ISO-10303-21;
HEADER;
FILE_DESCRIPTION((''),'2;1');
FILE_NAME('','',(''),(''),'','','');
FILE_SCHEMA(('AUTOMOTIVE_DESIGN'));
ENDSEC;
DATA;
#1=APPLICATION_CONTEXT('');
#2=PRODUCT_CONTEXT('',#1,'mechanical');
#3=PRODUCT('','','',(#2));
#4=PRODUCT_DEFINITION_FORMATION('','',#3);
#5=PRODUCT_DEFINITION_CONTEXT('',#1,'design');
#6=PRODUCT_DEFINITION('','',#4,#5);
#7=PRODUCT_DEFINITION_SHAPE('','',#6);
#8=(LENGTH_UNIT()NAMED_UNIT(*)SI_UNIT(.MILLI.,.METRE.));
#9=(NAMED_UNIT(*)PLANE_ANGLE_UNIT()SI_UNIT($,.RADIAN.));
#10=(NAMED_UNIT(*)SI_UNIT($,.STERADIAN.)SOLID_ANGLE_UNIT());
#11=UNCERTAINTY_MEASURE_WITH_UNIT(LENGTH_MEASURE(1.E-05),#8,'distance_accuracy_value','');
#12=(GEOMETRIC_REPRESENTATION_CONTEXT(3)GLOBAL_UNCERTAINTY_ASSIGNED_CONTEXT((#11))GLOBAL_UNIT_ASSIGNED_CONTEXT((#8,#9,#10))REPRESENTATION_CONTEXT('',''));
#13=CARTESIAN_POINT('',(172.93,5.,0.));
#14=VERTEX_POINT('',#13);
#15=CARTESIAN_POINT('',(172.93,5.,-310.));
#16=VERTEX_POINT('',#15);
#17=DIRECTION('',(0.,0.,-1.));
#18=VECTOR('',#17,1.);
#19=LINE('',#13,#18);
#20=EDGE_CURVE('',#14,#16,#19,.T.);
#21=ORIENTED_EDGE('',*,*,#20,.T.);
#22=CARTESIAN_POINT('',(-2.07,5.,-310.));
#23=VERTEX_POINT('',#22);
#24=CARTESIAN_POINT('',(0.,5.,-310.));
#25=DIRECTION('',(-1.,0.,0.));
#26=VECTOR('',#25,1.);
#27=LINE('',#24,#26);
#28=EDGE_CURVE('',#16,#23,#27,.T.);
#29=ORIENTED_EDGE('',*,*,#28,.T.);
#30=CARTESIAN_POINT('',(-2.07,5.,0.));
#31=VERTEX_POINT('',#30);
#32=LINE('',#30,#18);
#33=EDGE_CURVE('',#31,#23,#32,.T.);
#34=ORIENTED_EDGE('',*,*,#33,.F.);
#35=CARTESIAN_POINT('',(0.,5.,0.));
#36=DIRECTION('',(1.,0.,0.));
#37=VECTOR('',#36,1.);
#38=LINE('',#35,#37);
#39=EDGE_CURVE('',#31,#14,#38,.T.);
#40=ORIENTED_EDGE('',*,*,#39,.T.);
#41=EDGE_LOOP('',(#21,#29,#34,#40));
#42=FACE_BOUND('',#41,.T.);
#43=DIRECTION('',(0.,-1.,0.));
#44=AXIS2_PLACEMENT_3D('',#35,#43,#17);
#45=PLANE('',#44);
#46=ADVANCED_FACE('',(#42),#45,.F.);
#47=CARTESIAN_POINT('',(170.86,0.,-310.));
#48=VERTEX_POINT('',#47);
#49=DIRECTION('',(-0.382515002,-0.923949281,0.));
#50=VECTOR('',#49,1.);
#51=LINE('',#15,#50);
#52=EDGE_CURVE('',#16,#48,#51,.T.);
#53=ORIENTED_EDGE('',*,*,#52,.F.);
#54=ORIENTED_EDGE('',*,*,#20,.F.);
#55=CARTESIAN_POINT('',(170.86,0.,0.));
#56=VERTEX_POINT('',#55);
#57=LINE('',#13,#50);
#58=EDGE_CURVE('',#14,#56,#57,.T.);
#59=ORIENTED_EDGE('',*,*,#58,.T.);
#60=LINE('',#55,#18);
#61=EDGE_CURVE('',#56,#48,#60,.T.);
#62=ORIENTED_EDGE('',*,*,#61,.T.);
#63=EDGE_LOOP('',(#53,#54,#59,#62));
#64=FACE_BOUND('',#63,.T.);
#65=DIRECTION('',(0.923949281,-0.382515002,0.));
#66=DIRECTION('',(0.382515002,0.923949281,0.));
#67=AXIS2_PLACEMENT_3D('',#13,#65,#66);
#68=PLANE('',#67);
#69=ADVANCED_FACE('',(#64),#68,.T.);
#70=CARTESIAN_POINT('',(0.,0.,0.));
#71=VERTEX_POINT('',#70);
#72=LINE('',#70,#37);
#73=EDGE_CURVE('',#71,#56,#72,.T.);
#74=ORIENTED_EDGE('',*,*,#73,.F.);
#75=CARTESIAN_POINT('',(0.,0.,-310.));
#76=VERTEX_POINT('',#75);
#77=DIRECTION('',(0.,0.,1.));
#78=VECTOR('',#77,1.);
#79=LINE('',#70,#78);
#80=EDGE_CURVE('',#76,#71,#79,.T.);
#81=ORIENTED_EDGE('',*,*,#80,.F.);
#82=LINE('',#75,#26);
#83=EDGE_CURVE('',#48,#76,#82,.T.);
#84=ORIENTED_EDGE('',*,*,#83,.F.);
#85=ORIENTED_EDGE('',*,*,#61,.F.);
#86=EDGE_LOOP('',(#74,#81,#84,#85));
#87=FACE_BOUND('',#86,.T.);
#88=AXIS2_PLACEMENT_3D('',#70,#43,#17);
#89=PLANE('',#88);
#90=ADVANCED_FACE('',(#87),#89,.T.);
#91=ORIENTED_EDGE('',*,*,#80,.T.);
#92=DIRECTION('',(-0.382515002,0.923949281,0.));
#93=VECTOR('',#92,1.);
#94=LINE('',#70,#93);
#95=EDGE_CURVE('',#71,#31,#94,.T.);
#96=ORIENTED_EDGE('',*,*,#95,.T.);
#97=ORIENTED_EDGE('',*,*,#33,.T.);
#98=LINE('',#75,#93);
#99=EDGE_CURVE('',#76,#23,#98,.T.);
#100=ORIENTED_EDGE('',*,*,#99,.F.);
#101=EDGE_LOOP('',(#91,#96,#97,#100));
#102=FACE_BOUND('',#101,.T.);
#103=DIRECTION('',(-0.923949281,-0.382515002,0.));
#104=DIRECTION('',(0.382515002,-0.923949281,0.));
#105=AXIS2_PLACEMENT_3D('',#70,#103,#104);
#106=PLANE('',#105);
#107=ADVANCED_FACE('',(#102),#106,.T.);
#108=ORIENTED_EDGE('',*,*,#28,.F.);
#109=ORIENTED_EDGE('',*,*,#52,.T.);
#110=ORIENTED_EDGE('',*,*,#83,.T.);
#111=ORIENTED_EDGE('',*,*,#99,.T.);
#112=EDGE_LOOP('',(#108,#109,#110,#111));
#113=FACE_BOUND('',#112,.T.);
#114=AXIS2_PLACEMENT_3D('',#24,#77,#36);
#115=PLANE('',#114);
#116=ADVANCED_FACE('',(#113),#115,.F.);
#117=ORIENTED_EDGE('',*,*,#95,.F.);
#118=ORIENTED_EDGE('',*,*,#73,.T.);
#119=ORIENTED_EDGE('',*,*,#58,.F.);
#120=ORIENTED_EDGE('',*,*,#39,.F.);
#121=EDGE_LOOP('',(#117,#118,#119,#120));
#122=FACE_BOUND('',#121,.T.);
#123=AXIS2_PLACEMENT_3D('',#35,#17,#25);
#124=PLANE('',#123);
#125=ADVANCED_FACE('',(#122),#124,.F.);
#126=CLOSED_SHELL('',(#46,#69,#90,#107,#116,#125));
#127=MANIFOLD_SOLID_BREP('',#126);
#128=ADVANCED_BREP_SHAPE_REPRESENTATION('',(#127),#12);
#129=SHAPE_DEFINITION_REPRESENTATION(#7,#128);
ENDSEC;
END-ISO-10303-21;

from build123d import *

# Parameters (mm, degrees)
ESQUISSE1_W        = 170.86
ESQUISSE1_H        = 310
BOSS_EXTRU_1_DEPTH = 5
BOSS_EXTRU_2_DEPTH = 310


with BuildPart() as part:
    # Esquisse1 → Boss.-Extru.1 (new body)
    with BuildSketch(Plane(origin=(0, 0, 0), x_dir=(1, 0, 0), z_dir=(0, 1, 0))):
        with Locations((85.43, 155)):
            Rectangle(ESQUISSE1_W, ESQUISSE1_H)
    extrude(amount=BOSS_EXTRU_1_DEPTH)

    # Esquisse3 → Boss.-Extru.2 (add)
    with BuildSketch(Plane(origin=(0, 0, -310), x_dir=(-1, 0, 0), z_dir=(0, 0, -1))):
        Polygon((2.07, 5), (-172.93, 5), (-170.86, 0), (0, 0), align=None)
    extrude(amount=-BOSS_EXTRU_2_DEPTH)


solid = part.part
